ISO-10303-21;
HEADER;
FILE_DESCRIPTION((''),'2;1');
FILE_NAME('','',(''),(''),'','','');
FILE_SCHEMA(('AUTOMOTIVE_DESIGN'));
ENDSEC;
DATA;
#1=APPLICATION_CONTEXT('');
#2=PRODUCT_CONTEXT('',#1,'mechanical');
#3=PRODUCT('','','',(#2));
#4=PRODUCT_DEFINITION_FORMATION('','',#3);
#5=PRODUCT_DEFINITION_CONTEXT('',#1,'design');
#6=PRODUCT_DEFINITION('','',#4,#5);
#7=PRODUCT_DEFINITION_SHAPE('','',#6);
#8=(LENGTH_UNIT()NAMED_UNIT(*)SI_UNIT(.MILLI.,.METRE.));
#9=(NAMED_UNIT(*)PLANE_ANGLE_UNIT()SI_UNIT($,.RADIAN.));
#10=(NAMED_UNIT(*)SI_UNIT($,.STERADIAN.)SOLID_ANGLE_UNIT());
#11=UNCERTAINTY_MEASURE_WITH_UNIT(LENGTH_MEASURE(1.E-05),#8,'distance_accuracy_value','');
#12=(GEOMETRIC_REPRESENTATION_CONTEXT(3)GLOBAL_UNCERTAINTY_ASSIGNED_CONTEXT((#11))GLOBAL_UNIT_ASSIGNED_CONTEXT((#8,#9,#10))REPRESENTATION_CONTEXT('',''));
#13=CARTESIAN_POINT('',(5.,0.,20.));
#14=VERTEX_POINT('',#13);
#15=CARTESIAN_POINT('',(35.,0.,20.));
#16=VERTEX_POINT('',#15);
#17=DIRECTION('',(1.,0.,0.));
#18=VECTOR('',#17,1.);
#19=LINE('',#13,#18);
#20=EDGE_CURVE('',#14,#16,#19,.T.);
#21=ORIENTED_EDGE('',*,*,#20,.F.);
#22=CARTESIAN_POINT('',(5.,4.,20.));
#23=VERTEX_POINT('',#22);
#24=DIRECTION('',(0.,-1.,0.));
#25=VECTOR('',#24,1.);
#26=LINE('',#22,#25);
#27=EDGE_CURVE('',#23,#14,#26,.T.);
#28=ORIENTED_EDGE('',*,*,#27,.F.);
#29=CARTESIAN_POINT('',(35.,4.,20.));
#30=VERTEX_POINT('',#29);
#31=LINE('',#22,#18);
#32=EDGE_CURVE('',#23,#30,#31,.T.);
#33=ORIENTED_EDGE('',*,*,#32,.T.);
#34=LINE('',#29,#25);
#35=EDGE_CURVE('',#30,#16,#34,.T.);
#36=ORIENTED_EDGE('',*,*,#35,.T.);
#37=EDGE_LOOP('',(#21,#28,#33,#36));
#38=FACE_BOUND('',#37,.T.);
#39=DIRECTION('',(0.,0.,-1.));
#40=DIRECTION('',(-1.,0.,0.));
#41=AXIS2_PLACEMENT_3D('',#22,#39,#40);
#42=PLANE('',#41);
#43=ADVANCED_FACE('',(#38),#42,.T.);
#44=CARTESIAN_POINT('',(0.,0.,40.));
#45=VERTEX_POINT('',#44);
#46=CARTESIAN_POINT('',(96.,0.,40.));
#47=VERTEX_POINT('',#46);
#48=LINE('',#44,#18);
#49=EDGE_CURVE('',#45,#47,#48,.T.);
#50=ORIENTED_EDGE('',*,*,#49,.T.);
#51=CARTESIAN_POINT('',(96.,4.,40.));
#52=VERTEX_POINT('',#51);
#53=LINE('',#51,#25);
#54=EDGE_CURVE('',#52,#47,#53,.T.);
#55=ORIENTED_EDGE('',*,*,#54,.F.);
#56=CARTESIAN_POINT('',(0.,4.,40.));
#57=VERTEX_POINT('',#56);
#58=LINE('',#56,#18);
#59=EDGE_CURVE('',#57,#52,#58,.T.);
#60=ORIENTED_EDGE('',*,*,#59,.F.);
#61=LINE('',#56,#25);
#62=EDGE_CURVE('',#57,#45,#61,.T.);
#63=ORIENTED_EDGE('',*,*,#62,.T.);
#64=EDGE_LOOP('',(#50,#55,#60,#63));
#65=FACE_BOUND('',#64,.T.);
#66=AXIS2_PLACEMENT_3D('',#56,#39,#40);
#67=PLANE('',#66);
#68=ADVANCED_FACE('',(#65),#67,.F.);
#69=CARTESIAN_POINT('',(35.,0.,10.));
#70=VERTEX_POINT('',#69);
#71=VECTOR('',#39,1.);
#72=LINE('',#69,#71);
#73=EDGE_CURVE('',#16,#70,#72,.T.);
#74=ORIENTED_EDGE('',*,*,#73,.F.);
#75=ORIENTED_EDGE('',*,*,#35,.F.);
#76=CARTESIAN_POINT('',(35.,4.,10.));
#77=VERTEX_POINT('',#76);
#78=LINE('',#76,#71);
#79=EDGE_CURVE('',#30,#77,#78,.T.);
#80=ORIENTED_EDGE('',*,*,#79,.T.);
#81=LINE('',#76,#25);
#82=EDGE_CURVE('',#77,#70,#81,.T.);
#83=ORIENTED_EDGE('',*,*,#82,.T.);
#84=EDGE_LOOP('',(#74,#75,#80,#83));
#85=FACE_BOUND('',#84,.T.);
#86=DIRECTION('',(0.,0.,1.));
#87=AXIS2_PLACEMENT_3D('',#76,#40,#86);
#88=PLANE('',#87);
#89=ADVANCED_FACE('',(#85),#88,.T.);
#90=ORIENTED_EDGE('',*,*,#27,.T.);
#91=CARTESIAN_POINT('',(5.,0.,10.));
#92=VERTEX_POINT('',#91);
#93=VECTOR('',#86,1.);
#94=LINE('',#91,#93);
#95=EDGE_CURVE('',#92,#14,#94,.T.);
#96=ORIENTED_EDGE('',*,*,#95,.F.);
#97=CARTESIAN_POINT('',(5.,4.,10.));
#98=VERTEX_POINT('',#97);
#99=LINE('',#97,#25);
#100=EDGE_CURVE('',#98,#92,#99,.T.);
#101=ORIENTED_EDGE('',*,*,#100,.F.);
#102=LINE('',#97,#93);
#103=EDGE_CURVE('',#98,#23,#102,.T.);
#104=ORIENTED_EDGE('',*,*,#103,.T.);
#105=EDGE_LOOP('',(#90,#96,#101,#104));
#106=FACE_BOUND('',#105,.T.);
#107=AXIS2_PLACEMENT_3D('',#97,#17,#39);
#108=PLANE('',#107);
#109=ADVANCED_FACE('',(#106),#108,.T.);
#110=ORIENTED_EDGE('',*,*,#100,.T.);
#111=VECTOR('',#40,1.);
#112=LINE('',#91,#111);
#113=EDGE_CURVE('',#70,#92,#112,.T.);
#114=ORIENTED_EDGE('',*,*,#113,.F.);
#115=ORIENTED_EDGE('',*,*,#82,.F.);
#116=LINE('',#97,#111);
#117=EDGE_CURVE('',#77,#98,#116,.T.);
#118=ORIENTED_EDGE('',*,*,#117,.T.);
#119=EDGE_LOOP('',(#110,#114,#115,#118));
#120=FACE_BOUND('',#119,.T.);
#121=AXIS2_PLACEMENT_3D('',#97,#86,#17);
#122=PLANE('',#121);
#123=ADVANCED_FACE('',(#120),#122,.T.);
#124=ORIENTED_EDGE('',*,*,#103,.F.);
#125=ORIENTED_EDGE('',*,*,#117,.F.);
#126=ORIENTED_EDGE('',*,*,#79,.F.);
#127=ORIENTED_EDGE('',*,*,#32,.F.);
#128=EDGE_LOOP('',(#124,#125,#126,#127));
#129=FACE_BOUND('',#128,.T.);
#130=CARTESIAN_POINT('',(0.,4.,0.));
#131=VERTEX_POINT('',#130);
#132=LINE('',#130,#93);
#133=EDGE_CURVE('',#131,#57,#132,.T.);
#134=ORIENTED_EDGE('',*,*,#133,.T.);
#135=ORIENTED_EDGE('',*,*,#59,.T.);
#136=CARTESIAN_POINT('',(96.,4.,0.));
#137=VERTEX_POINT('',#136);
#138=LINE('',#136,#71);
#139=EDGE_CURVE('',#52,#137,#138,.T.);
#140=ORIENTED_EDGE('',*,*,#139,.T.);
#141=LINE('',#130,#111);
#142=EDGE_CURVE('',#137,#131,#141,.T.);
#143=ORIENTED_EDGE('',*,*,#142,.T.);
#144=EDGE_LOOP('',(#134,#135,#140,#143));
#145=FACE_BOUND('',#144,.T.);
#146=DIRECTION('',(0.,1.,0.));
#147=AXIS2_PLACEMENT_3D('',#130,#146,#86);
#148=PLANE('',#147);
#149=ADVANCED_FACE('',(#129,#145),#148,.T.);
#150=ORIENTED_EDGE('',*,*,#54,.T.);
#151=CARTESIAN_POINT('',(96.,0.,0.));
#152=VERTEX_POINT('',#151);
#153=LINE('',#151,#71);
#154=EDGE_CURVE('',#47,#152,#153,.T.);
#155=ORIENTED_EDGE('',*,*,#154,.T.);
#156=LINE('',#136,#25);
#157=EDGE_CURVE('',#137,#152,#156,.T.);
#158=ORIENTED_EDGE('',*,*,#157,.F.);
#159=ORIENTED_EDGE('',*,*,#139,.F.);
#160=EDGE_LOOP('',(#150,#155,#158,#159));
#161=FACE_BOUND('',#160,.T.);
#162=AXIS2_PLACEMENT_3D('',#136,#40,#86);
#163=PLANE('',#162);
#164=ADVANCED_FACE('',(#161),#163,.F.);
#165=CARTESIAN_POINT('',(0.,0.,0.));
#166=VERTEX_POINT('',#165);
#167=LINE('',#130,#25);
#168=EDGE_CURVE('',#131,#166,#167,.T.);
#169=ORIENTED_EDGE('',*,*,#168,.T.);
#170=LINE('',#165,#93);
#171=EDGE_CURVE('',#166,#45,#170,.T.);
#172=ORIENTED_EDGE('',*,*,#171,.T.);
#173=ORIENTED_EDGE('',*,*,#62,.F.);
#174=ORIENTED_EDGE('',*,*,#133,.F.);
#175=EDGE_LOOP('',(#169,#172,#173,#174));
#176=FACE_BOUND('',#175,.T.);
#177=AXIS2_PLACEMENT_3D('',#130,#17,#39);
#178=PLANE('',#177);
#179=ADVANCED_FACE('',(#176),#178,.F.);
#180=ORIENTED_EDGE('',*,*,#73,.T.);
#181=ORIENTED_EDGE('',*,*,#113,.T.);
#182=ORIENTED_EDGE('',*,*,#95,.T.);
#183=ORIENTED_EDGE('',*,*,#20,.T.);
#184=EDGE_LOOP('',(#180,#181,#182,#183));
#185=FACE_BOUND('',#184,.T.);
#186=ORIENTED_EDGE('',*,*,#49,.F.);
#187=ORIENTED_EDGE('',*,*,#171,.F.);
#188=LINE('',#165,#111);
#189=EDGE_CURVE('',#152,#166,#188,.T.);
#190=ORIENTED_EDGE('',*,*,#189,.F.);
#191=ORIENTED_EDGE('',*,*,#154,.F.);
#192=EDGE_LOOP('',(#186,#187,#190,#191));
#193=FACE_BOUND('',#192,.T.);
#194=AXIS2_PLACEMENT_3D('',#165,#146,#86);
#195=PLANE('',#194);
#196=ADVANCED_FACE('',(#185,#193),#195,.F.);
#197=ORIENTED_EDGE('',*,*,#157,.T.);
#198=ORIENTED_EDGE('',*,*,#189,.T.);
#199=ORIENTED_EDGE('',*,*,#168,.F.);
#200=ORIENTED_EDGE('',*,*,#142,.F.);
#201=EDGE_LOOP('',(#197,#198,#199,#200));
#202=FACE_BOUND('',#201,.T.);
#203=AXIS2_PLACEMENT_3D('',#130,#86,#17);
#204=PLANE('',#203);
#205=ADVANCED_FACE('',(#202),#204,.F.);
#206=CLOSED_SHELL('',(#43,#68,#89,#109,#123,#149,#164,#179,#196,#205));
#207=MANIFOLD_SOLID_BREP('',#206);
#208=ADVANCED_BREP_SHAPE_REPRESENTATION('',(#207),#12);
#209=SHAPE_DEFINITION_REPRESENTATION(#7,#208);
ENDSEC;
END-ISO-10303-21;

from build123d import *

# Parameters (mm, degrees)
SKETCH1_W           = 96
SKETCH1_H           = 40
SKETCH1_W_2         = 30
SKETCH1_H_2         = 10
BOSS_EXTRUDE1_DEPTH = 4


with BuildPart() as part:
    # Sketch1 → Boss-Extrude1 (new body)
    with BuildSketch(Plane(origin=(0, 0, 0), x_dir=(1, 0, 0), z_dir=(0, 1, 0))):
        with Locations((48, -20)):
            Rectangle(SKETCH1_W, SKETCH1_H)
        with Locations((20, -15)):
            Rectangle(SKETCH1_W_2, SKETCH1_H_2, mode=Mode.SUBTRACT)
    extrude(amount=BOSS_EXTRUDE1_DEPTH)


solid = part.part
